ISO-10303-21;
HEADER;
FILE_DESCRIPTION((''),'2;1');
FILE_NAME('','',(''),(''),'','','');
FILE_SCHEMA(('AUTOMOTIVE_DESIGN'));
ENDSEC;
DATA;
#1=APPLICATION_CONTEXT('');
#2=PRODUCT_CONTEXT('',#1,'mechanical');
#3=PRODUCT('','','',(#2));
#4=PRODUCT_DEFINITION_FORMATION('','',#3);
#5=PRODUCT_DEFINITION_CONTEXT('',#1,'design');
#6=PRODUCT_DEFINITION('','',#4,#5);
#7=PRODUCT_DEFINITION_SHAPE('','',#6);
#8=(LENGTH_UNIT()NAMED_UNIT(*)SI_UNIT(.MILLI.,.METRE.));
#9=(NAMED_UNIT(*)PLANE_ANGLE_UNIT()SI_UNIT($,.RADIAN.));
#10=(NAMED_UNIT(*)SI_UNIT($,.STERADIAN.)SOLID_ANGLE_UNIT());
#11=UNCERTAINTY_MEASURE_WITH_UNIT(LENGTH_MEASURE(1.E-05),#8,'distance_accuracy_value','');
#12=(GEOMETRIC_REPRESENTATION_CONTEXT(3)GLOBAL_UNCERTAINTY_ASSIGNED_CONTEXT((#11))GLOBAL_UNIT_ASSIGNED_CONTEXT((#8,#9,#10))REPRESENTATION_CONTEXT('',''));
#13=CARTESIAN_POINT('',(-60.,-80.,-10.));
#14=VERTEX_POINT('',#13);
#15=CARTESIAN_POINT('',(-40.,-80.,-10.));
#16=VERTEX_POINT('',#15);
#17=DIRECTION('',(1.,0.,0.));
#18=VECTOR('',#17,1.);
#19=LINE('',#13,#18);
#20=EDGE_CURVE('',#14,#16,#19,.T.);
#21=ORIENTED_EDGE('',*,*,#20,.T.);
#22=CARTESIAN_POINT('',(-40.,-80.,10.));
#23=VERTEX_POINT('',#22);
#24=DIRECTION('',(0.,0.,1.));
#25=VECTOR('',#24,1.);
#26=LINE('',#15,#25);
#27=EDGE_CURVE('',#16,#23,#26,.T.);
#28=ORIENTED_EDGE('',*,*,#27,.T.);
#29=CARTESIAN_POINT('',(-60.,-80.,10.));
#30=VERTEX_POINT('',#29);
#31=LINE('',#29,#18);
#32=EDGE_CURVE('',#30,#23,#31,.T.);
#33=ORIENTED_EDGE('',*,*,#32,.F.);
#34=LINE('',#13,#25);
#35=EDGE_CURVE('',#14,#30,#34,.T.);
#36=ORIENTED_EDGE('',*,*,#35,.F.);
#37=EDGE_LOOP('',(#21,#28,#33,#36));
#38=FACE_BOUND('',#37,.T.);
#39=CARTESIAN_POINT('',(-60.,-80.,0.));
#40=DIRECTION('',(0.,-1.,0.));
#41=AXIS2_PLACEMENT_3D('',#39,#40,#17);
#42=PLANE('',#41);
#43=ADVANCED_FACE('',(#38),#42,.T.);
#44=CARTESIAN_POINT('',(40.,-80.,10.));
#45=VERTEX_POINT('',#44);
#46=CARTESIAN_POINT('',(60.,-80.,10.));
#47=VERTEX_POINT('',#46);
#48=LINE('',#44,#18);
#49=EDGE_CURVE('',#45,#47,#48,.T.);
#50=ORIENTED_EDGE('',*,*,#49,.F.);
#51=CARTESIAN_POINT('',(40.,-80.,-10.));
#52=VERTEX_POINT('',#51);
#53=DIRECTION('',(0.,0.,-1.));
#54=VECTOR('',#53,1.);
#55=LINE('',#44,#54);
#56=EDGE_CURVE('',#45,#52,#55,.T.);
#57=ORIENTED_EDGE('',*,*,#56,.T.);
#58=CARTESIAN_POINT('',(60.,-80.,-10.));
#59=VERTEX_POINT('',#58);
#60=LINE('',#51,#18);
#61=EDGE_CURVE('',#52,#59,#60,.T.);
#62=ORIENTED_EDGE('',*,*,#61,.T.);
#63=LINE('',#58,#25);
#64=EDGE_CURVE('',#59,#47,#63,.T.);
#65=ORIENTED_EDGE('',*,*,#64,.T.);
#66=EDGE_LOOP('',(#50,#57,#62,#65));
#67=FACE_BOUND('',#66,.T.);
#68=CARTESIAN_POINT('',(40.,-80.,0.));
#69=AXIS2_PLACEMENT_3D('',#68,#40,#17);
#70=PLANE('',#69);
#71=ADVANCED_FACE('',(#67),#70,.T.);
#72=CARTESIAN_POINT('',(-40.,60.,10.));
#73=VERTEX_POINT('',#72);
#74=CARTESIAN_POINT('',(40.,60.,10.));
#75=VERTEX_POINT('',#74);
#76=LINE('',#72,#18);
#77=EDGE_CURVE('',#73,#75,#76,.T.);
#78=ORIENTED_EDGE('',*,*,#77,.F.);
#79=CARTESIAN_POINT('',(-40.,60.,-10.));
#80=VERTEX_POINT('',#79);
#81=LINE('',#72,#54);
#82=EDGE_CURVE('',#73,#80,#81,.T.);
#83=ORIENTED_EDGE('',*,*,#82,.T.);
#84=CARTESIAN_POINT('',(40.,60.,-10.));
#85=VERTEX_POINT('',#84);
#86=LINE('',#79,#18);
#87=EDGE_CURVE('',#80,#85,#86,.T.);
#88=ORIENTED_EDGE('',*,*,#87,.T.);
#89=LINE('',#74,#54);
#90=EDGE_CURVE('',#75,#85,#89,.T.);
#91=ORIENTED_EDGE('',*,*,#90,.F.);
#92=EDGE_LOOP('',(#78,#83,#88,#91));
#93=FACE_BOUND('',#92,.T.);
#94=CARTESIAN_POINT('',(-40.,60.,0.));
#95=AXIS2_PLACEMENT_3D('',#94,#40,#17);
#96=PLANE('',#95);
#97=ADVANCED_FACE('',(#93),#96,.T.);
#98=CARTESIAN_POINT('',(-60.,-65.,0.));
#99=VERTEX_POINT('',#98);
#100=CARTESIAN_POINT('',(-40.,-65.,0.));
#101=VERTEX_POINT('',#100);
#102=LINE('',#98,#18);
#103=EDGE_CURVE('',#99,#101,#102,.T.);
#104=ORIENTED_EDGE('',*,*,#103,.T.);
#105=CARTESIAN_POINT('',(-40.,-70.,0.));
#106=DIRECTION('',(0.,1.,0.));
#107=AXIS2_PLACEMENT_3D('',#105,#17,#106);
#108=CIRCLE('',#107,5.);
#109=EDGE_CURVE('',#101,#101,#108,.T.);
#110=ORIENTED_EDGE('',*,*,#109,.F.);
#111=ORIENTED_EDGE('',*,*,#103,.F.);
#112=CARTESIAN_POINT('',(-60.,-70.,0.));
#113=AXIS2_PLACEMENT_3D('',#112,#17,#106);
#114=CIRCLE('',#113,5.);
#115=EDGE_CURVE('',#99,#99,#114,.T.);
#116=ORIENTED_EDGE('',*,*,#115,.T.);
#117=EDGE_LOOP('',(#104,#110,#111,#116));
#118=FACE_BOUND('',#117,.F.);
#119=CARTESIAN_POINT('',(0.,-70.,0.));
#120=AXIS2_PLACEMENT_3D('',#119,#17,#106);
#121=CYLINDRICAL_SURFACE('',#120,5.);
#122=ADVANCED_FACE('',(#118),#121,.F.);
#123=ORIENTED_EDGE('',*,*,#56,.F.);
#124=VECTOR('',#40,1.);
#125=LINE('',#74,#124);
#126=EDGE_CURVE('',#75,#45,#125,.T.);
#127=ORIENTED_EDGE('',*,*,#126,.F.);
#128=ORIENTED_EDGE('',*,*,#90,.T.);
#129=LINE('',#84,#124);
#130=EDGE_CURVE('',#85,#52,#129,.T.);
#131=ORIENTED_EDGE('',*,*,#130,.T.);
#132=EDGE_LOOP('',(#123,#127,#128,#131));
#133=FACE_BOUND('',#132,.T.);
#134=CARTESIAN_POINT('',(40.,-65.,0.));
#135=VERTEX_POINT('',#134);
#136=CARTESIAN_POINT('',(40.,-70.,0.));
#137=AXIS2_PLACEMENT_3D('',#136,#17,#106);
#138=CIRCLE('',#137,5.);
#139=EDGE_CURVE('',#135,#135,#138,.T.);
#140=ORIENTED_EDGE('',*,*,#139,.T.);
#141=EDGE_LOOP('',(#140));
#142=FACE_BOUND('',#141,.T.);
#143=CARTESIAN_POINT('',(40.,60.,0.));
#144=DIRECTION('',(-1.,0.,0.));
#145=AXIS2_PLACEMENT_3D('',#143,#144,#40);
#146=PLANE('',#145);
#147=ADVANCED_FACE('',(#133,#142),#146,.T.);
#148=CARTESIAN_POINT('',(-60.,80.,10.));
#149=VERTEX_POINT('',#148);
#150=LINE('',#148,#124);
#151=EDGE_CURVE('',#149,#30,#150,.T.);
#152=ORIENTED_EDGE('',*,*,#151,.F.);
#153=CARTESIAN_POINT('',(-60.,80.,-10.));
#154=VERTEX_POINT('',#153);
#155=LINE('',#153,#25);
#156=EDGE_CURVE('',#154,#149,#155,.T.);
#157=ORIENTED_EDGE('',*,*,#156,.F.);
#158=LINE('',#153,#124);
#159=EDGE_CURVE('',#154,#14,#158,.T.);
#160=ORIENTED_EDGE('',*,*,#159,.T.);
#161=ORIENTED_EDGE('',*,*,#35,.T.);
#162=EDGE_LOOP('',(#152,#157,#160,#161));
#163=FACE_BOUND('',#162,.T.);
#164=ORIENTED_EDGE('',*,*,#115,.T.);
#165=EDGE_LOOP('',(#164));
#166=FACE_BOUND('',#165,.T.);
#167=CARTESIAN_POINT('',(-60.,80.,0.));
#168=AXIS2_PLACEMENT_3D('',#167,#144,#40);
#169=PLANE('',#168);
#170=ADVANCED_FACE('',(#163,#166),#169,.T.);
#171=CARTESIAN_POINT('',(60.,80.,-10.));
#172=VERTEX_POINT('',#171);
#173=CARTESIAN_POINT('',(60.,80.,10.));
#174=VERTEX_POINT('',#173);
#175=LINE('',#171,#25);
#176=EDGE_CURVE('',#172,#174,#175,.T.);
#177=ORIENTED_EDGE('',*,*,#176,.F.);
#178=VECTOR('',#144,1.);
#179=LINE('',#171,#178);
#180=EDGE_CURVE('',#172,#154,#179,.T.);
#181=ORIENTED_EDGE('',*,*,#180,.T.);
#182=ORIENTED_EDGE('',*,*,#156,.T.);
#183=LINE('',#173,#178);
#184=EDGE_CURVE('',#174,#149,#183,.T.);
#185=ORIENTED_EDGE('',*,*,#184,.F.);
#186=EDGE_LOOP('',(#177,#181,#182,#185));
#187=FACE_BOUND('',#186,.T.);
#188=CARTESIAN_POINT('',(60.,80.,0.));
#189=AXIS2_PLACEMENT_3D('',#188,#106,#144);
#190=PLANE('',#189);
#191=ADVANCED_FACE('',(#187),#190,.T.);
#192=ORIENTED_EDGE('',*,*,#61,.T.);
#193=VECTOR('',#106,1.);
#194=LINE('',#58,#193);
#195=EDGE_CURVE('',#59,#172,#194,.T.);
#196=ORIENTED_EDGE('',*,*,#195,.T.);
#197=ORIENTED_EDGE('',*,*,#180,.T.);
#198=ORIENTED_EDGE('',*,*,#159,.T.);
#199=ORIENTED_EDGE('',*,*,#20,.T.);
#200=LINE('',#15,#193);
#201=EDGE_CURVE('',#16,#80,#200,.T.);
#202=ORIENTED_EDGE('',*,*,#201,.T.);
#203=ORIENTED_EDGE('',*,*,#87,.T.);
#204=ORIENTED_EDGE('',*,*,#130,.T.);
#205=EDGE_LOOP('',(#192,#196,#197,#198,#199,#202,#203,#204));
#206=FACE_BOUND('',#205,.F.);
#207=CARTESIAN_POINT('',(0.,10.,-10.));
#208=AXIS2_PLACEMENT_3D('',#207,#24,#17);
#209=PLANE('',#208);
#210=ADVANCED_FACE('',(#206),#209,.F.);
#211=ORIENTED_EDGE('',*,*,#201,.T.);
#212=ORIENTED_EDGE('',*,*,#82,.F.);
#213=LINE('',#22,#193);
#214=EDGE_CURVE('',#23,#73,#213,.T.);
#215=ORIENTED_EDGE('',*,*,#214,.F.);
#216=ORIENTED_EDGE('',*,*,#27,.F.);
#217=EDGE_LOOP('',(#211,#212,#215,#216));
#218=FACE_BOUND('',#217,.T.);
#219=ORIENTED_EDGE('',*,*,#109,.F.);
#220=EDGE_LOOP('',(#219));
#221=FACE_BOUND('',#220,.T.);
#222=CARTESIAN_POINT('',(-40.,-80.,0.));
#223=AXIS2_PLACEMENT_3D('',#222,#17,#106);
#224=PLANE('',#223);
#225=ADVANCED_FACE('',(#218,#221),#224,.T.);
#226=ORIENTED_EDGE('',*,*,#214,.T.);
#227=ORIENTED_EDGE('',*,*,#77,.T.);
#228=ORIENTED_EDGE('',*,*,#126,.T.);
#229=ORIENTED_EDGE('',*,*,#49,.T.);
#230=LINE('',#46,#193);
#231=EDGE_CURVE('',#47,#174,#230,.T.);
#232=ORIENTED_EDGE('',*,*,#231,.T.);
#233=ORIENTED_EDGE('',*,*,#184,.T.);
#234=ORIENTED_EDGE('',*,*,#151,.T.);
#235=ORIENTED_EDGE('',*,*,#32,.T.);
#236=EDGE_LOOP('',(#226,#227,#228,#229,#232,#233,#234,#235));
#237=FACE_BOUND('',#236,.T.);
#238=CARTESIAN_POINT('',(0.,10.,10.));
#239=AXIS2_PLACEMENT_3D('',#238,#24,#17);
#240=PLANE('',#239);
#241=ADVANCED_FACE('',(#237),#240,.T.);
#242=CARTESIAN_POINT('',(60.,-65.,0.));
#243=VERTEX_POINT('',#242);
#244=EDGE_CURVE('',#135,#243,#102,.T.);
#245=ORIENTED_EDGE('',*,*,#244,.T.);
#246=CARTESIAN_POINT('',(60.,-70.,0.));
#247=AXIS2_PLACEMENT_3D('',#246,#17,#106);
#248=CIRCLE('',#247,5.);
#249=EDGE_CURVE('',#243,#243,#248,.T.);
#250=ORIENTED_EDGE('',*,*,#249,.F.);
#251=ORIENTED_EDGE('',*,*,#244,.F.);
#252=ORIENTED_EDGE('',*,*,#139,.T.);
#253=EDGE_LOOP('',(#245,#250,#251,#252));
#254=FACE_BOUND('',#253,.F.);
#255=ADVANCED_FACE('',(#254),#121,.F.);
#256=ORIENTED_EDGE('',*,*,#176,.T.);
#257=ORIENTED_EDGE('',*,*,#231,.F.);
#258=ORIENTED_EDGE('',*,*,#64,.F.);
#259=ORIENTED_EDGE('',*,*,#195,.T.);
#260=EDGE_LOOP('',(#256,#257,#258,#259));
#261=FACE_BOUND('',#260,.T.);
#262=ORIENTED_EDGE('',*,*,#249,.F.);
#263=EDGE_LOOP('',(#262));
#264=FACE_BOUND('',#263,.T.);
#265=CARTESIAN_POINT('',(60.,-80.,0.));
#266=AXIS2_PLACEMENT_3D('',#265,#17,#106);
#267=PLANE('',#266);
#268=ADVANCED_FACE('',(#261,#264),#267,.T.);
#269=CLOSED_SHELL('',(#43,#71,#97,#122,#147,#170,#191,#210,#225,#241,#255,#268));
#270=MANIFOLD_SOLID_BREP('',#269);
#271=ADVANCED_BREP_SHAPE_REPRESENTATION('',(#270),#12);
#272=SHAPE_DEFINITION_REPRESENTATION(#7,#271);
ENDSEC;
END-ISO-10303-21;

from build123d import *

# Parameters (mm, degrees)
F1_DEPTH = 10
F2_R     = 5
F3_DEPTH = 60


with BuildPart() as f1:
    # F0 (on Top) → F1 (new body, symmetric)
    with BuildSketch(Plane.XY):
        Polygon((40, -80), (60, -80), (60, 80), (-60, 80), (-60, -80), (-40, -80), (-40, -60), (-40, 60), (40, 60), (40, -60), align=None)
    extrude(amount=F1_DEPTH, both=True)

    # F2 (on Right) → F3 (cut, symmetric)
    with BuildSketch(Plane.YZ):
        with Locations((-70, 0)):
            Circle(F2_R)
    extrude(amount=F3_DEPTH, both=True, mode=Mode.SUBTRACT)


solid = f1.part
